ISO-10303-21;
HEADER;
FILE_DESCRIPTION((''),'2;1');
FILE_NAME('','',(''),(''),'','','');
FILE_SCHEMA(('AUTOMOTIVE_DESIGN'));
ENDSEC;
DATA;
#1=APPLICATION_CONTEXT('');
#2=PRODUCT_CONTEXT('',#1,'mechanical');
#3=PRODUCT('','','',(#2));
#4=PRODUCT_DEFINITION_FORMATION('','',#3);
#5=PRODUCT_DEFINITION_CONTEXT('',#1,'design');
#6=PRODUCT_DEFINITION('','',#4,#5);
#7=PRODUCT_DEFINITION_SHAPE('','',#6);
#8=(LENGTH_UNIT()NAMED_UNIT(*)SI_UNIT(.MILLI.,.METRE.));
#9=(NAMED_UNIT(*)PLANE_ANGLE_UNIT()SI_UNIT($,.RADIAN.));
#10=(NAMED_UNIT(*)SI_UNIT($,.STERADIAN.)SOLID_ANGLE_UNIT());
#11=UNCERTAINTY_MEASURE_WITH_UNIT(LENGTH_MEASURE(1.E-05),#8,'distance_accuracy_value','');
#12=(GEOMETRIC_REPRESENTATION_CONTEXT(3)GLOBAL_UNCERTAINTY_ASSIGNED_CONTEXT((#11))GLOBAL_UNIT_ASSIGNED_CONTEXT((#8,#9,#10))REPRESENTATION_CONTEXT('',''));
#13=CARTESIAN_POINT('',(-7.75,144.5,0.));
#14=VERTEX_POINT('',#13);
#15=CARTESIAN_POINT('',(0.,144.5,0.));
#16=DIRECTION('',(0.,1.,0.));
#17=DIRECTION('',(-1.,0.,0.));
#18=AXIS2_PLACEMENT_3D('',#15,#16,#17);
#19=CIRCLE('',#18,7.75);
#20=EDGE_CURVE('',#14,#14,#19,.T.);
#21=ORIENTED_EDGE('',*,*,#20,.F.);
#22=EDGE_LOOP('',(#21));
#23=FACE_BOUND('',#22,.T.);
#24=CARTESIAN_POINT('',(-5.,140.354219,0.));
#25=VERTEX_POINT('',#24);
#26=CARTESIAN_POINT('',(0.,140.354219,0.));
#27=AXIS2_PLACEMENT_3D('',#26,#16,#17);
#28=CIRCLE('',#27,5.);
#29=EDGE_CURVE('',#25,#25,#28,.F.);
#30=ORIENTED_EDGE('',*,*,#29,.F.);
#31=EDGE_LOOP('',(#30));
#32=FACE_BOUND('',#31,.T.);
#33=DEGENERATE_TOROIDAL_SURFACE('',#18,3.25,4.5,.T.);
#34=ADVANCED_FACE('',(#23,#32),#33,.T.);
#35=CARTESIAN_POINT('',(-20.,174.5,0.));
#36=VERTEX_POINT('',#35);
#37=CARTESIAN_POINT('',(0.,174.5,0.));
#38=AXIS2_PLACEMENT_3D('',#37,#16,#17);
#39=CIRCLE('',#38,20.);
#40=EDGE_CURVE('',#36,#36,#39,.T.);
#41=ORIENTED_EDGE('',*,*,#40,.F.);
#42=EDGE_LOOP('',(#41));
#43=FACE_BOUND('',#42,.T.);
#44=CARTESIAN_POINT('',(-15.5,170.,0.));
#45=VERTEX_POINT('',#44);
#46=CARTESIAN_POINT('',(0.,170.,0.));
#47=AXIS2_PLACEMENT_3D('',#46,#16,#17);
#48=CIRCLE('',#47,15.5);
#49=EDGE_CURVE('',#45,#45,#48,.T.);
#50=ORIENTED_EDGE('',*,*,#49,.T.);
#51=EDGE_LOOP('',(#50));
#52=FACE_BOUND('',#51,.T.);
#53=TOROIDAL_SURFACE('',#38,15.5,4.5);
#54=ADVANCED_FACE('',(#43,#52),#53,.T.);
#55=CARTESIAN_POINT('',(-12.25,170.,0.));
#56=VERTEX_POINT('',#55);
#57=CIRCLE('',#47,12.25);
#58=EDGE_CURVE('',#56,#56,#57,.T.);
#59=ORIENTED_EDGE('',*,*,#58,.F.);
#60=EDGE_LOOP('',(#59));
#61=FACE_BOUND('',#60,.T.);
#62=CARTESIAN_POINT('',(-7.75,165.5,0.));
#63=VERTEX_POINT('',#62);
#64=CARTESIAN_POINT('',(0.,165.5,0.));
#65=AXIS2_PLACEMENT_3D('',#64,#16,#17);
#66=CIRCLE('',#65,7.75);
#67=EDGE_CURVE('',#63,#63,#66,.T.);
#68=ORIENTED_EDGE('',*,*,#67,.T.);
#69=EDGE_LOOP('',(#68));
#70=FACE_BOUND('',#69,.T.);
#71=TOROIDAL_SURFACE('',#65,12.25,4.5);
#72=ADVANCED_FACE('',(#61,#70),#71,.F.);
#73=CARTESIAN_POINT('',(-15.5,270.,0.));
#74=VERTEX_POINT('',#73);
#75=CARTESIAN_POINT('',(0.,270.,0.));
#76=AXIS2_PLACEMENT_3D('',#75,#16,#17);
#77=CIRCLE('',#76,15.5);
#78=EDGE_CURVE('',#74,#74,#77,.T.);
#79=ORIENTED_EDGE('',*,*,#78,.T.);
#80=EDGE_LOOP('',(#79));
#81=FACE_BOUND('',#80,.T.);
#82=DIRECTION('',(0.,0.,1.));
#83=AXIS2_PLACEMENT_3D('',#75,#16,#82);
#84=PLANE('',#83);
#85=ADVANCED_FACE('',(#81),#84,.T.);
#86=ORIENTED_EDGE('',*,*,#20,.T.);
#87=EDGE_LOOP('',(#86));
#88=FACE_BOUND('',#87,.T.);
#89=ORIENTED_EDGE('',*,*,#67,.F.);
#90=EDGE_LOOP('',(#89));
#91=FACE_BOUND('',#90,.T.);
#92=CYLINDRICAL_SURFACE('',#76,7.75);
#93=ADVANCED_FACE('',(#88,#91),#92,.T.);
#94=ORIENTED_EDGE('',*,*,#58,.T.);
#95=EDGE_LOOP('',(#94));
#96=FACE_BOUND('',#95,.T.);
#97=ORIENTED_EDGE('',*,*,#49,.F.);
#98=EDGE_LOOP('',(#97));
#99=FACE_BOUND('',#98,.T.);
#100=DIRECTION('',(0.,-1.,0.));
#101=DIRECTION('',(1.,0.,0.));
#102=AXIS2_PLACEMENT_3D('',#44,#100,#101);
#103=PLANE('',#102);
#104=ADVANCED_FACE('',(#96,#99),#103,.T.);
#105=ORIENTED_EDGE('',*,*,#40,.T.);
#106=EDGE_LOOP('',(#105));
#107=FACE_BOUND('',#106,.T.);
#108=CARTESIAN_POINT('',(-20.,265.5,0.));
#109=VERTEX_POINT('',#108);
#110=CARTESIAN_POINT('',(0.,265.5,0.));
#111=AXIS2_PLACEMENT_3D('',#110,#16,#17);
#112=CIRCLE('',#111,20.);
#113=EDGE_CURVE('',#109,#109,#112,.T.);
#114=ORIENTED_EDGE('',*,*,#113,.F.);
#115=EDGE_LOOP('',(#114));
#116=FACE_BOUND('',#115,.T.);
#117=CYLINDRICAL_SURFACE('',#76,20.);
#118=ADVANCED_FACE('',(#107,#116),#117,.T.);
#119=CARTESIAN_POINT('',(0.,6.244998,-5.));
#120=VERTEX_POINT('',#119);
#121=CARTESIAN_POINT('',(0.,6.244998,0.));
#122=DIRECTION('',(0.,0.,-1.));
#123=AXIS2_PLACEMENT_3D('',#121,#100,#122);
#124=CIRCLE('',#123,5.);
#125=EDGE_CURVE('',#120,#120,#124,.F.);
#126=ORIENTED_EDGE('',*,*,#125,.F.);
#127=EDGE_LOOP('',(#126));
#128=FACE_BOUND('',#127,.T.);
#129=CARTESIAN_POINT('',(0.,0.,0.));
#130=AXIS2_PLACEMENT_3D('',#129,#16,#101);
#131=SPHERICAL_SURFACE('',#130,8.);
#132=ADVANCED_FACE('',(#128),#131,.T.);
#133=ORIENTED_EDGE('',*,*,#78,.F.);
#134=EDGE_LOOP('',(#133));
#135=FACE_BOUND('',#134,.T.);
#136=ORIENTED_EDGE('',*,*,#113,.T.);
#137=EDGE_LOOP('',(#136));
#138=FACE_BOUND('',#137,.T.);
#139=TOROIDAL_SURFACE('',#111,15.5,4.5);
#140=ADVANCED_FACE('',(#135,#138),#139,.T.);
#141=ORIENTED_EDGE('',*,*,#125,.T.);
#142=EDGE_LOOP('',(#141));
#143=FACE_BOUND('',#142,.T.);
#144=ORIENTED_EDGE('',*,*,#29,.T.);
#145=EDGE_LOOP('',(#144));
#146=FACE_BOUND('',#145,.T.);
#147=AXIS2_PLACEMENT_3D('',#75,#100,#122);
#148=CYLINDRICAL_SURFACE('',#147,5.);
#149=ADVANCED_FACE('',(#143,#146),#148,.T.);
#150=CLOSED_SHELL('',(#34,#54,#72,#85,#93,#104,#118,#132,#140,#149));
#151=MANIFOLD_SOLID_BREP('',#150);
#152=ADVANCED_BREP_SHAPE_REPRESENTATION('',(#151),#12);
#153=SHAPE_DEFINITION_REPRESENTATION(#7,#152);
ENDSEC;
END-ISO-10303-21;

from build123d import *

# Parameters (mm, degrees)
SZKIC2_R                    = 5
DODANIE_WYCI_GNI_CIE1_DEPTH = 270


with BuildPart() as part:
    # Szkic1 → Obrót1 (revolve)
    with BuildSketch(Plane.XY):
        with BuildLine():
            Line((0, 8), (0, -8))
            ThreePointArc((0, -8), (8, 0), (0, 8))
        make_face()
    revolve(axis=Axis((0, 8, 0), (0, -1, 0)))

    # Szkic2 → Dodanie-wyciągnięcie1 (add)
    with BuildSketch(Plane(origin=(0, 0, 0), x_dir=(1, 0, 0), z_dir=(0, 1, 0))):
        with Locations(Location((0, 0, 0), (0, 0, 90))):
            Circle(SZKIC2_R)
    extrude(amount=DODANIE_WYCI_GNI_CIE1_DEPTH)

    # Szkic3 → Obrót2 (revolve)
    with BuildSketch(Plane.XY):
        with BuildLine():
            Line((0, 270), (-15.5, 270))
            ThreePointArc((-15.5, 270), (-18.681980515, 268.681980515), (-20, 265.5))
            Line((-20, 265.5), (-20, 174.5))
            ThreePointArc((-20, 174.5), (-18.681980515, 171.318019485), (-15.5, 170))
            Line((-15.5, 170), (-12.25, 170))
            ThreePointArc((-12.25, 170), (-9.068019485, 168.681980515), (-7.75, 165.5))
            Line((-7.75, 165.5), (-7.75, 144.5))
            ThreePointArc((-7.75, 144.5), (-6.431980515, 141.318019485), (-3.25, 140))
            Line((-3.25, 140), (0, 140))
            Line((0, 140), (0, 270))
        make_face()
    revolve(axis=Axis((0, 270, 0), (0, -1, 0)))


solid = part.part
